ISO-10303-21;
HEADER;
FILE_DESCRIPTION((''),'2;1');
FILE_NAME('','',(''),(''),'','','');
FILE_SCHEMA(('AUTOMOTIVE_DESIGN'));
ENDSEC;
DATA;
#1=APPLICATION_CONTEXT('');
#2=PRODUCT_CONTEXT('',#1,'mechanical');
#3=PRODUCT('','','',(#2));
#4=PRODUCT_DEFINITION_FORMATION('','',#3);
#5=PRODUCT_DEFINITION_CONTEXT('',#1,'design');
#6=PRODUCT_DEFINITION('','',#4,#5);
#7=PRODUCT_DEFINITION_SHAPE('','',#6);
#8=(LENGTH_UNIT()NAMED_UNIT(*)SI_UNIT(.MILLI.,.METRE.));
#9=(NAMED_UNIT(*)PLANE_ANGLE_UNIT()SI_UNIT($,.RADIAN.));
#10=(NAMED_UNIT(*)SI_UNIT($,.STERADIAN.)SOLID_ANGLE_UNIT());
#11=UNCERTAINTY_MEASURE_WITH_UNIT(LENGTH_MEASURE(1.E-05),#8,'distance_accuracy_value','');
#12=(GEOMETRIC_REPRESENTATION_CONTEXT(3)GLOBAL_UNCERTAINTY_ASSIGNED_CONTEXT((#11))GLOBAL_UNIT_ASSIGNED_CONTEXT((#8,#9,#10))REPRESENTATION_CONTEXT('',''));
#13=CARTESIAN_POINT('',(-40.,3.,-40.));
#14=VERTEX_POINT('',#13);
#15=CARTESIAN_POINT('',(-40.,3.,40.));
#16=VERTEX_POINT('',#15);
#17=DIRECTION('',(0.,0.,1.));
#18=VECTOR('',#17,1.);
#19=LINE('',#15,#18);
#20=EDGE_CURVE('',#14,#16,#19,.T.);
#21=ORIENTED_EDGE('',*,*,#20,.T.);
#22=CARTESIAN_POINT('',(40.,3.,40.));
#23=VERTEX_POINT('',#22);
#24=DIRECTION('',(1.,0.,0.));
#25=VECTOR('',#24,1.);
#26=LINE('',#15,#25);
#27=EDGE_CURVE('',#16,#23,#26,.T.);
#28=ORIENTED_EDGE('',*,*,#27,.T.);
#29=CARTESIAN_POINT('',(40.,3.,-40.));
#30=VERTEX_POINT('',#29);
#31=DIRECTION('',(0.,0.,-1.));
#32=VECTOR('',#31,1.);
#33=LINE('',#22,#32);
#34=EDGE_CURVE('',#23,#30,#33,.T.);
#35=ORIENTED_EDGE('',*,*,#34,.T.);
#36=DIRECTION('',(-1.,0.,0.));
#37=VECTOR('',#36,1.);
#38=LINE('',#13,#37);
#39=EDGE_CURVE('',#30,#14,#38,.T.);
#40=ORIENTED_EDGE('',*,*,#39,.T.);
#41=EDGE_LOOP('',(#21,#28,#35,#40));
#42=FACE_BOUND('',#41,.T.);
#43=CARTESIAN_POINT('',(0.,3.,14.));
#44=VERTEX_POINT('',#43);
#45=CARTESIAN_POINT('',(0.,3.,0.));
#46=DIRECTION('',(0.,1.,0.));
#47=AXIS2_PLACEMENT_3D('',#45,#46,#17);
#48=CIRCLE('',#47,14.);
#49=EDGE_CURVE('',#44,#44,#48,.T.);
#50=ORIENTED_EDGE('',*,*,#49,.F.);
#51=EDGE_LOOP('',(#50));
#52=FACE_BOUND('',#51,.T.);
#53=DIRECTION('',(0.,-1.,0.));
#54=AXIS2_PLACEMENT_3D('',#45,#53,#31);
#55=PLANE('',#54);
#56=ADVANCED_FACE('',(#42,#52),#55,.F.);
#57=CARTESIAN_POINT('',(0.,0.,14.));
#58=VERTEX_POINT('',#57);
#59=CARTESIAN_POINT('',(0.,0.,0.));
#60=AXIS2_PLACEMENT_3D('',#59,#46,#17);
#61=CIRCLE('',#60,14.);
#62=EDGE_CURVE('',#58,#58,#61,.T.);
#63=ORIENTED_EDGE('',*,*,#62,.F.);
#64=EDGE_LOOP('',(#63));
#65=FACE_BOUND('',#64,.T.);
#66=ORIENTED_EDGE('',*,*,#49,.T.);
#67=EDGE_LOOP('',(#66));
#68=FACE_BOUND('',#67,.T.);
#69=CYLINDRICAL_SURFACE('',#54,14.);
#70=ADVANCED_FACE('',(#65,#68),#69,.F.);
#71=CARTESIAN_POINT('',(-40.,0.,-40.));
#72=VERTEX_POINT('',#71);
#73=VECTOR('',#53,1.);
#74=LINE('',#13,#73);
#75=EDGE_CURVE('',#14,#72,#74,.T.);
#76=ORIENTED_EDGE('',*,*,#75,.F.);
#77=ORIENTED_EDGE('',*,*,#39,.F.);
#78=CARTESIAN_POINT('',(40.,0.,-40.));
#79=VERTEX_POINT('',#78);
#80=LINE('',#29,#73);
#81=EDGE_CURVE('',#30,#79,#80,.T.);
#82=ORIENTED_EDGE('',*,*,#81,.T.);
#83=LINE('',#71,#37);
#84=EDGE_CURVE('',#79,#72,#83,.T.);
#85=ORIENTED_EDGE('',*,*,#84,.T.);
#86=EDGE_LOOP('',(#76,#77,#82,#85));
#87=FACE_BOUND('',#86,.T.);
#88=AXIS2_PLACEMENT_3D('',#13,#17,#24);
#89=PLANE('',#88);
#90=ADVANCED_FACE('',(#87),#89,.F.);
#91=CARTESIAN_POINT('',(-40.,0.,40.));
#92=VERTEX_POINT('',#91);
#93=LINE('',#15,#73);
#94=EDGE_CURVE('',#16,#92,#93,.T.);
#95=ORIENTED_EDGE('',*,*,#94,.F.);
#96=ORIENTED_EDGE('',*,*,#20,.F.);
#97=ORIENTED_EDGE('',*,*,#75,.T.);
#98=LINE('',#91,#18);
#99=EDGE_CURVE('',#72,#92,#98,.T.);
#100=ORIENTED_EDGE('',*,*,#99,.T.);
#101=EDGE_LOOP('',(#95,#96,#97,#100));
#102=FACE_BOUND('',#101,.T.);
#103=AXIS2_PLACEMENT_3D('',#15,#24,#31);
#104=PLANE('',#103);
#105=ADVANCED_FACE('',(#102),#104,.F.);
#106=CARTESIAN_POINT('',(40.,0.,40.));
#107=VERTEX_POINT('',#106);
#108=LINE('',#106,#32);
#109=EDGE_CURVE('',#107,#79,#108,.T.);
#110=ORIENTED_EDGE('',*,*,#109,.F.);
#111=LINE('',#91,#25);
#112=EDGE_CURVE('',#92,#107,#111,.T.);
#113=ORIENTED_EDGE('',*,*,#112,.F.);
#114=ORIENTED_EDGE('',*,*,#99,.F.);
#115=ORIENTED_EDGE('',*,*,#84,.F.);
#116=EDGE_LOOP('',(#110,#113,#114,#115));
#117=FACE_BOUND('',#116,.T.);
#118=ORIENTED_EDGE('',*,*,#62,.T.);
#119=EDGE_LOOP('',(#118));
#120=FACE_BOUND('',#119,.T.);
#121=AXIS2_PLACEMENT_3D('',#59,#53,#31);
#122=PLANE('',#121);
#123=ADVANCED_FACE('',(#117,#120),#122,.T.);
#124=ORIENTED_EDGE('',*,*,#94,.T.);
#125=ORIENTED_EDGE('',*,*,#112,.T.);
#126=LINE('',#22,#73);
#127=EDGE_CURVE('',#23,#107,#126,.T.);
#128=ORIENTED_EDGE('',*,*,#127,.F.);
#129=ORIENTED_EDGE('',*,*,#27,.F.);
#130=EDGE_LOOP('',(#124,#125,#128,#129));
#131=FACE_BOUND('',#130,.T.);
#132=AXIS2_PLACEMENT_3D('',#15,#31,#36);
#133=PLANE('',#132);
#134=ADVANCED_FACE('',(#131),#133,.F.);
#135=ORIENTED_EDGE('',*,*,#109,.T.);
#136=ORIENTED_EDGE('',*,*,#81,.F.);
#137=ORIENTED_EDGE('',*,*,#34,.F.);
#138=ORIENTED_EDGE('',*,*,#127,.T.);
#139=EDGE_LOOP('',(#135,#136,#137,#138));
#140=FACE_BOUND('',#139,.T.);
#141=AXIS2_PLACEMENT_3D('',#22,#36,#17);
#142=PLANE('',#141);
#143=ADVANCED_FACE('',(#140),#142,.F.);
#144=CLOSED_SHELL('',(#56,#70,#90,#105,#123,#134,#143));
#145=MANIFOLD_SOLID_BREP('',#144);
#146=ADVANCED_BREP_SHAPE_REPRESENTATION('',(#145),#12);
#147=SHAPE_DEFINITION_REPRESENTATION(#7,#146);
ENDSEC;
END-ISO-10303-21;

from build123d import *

# Parameters (mm, degrees)
SKETCH_1_W      = 80
SKETCH_1_H      = 80
SKETCH_1_R      = 14
EXTRUDE_1_DEPTH = 3


with BuildPart() as part:
    # 草图1 → 凸台-拉伸1 (new body)
    with BuildSketch(Plane(origin=(0, 0, 0), x_dir=(1, 0, 0), z_dir=(0, 1, 0))):
        Rectangle(SKETCH_1_W, SKETCH_1_H)
        with Locations(Location((0, 0, 0), (0, 0, 270))):
            Circle(SKETCH_1_R, mode=Mode.SUBTRACT)
    extrude(amount=EXTRUDE_1_DEPTH)


solid = part.part
